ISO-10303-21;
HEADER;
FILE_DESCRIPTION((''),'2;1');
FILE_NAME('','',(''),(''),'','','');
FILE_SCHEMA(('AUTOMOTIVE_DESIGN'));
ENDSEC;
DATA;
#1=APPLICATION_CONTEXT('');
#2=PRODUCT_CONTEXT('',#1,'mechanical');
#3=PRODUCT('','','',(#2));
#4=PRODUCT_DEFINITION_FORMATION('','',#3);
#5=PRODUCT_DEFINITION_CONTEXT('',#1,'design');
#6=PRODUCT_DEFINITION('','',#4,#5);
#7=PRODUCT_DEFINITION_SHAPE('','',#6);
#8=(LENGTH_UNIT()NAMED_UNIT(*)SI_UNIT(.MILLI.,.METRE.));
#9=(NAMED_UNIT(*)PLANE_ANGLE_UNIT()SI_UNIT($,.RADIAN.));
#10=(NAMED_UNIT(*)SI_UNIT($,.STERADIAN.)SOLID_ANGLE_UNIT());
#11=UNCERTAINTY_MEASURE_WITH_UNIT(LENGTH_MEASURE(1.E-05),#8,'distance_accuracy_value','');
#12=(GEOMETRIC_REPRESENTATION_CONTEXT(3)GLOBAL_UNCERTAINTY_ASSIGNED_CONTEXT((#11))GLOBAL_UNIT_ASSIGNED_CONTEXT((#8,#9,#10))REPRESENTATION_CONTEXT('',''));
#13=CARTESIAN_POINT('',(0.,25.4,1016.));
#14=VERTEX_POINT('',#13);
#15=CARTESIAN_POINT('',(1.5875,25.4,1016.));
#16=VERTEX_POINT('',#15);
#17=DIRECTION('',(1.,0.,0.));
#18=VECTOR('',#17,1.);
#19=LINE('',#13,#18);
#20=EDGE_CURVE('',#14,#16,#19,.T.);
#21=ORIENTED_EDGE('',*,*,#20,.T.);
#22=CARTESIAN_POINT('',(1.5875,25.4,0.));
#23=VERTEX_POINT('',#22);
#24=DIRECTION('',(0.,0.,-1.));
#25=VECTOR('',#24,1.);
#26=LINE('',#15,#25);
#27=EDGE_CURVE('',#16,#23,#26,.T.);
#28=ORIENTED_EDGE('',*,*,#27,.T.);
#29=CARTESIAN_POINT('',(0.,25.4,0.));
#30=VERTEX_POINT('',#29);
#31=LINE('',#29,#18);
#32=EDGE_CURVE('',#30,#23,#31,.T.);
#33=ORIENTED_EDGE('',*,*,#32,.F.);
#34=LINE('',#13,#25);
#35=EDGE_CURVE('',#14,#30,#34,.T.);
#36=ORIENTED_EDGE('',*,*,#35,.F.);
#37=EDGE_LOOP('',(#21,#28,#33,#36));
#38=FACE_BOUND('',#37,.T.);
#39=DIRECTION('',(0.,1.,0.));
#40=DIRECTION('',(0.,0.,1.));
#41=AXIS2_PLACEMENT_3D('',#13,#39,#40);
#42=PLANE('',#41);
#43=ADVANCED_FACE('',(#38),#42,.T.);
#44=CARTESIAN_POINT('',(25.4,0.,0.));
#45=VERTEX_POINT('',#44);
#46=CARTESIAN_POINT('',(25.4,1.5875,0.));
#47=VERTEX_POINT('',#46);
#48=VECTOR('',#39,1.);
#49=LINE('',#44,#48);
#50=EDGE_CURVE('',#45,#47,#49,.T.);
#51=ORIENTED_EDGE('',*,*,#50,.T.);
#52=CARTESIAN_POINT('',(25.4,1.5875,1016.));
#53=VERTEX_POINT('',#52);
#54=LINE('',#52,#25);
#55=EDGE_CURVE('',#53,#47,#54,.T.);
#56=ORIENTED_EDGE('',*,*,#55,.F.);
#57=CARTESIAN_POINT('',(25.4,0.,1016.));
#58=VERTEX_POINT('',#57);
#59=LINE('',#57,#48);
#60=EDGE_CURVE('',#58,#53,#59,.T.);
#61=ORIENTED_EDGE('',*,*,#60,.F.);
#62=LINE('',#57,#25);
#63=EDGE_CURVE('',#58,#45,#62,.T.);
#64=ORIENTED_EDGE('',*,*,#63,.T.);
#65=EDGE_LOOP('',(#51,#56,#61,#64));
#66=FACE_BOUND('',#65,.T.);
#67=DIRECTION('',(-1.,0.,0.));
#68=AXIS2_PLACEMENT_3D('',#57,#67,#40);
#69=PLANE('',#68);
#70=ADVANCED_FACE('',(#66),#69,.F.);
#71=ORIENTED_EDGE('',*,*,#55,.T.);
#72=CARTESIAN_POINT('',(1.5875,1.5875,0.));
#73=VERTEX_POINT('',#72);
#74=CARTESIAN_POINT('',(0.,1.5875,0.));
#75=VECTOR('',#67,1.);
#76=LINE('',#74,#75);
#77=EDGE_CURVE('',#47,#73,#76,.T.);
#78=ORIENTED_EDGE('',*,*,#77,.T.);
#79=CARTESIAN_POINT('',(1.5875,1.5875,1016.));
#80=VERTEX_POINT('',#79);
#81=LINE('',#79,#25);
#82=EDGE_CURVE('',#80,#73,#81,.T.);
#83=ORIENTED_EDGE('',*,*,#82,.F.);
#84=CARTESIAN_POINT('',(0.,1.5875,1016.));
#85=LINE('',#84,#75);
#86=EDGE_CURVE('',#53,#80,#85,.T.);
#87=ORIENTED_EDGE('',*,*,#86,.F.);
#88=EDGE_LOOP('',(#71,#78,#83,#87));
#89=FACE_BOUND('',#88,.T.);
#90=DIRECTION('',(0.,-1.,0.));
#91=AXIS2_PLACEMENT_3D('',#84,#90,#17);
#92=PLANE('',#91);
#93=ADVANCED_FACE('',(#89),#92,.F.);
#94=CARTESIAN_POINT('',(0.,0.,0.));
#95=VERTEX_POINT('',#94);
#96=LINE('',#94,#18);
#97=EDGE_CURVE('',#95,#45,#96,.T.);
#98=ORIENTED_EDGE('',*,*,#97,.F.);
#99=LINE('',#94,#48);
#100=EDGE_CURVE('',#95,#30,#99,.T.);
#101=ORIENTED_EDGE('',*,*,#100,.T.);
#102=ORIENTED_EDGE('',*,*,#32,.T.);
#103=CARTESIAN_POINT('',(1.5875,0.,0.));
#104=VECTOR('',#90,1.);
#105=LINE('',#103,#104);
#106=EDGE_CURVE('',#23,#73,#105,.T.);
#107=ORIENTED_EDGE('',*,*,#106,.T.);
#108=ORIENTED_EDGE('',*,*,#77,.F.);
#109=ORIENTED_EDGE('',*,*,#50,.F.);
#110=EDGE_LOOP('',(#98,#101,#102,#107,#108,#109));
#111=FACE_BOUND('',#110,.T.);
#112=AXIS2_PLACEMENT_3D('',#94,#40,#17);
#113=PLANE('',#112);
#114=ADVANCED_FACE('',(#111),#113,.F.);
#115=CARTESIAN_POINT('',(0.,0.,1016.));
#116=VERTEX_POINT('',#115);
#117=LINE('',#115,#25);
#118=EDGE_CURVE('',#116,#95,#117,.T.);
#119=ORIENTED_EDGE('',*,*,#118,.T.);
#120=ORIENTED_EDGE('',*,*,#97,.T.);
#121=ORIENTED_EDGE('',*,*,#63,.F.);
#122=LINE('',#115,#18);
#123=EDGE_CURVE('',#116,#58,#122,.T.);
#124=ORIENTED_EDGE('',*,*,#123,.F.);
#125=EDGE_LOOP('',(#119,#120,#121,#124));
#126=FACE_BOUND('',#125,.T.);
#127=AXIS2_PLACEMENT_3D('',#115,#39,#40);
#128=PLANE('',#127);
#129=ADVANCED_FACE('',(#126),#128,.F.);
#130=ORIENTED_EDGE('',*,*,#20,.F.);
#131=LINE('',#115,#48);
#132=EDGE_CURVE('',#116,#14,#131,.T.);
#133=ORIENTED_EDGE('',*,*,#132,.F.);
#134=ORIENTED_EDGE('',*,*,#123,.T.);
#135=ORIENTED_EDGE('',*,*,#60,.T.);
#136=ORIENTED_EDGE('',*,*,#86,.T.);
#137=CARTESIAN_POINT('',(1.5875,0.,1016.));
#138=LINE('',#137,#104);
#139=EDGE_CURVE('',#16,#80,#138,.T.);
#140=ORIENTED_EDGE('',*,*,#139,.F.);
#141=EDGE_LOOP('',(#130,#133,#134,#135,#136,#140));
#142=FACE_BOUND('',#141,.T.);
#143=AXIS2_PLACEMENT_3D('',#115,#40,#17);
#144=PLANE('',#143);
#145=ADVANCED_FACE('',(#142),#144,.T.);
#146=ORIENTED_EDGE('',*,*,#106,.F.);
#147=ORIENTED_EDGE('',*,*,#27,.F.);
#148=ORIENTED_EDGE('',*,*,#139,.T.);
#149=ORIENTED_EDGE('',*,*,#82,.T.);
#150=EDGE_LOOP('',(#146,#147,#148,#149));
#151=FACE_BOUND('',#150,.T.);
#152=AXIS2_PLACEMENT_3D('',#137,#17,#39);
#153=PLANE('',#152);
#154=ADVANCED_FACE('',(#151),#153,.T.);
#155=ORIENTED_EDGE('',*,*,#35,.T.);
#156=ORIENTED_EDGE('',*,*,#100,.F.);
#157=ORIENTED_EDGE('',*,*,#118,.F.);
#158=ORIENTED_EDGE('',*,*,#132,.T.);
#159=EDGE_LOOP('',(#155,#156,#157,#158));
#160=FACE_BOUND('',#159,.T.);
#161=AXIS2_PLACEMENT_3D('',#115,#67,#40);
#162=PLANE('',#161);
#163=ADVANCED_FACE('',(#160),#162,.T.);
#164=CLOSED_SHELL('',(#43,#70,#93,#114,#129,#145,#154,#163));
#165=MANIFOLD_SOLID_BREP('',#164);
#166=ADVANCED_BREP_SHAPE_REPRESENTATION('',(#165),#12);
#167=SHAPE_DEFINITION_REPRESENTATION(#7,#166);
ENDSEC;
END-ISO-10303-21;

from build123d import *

# Parameters (mm, degrees)
BOSS_EXTRUDE1_DEPTH = 1016


with BuildPart() as part:
    # Sketch1 → Boss-Extrude1 (new body)
    with BuildSketch(Plane.XY):
        Polygon((0, 25.4), (0, 0), (25.4, 0), (25.4, 1.5875), (1.5875, 1.5875), (1.5875, 25.4), align=None)
    extrude(amount=BOSS_EXTRUDE1_DEPTH)


solid = part.part
